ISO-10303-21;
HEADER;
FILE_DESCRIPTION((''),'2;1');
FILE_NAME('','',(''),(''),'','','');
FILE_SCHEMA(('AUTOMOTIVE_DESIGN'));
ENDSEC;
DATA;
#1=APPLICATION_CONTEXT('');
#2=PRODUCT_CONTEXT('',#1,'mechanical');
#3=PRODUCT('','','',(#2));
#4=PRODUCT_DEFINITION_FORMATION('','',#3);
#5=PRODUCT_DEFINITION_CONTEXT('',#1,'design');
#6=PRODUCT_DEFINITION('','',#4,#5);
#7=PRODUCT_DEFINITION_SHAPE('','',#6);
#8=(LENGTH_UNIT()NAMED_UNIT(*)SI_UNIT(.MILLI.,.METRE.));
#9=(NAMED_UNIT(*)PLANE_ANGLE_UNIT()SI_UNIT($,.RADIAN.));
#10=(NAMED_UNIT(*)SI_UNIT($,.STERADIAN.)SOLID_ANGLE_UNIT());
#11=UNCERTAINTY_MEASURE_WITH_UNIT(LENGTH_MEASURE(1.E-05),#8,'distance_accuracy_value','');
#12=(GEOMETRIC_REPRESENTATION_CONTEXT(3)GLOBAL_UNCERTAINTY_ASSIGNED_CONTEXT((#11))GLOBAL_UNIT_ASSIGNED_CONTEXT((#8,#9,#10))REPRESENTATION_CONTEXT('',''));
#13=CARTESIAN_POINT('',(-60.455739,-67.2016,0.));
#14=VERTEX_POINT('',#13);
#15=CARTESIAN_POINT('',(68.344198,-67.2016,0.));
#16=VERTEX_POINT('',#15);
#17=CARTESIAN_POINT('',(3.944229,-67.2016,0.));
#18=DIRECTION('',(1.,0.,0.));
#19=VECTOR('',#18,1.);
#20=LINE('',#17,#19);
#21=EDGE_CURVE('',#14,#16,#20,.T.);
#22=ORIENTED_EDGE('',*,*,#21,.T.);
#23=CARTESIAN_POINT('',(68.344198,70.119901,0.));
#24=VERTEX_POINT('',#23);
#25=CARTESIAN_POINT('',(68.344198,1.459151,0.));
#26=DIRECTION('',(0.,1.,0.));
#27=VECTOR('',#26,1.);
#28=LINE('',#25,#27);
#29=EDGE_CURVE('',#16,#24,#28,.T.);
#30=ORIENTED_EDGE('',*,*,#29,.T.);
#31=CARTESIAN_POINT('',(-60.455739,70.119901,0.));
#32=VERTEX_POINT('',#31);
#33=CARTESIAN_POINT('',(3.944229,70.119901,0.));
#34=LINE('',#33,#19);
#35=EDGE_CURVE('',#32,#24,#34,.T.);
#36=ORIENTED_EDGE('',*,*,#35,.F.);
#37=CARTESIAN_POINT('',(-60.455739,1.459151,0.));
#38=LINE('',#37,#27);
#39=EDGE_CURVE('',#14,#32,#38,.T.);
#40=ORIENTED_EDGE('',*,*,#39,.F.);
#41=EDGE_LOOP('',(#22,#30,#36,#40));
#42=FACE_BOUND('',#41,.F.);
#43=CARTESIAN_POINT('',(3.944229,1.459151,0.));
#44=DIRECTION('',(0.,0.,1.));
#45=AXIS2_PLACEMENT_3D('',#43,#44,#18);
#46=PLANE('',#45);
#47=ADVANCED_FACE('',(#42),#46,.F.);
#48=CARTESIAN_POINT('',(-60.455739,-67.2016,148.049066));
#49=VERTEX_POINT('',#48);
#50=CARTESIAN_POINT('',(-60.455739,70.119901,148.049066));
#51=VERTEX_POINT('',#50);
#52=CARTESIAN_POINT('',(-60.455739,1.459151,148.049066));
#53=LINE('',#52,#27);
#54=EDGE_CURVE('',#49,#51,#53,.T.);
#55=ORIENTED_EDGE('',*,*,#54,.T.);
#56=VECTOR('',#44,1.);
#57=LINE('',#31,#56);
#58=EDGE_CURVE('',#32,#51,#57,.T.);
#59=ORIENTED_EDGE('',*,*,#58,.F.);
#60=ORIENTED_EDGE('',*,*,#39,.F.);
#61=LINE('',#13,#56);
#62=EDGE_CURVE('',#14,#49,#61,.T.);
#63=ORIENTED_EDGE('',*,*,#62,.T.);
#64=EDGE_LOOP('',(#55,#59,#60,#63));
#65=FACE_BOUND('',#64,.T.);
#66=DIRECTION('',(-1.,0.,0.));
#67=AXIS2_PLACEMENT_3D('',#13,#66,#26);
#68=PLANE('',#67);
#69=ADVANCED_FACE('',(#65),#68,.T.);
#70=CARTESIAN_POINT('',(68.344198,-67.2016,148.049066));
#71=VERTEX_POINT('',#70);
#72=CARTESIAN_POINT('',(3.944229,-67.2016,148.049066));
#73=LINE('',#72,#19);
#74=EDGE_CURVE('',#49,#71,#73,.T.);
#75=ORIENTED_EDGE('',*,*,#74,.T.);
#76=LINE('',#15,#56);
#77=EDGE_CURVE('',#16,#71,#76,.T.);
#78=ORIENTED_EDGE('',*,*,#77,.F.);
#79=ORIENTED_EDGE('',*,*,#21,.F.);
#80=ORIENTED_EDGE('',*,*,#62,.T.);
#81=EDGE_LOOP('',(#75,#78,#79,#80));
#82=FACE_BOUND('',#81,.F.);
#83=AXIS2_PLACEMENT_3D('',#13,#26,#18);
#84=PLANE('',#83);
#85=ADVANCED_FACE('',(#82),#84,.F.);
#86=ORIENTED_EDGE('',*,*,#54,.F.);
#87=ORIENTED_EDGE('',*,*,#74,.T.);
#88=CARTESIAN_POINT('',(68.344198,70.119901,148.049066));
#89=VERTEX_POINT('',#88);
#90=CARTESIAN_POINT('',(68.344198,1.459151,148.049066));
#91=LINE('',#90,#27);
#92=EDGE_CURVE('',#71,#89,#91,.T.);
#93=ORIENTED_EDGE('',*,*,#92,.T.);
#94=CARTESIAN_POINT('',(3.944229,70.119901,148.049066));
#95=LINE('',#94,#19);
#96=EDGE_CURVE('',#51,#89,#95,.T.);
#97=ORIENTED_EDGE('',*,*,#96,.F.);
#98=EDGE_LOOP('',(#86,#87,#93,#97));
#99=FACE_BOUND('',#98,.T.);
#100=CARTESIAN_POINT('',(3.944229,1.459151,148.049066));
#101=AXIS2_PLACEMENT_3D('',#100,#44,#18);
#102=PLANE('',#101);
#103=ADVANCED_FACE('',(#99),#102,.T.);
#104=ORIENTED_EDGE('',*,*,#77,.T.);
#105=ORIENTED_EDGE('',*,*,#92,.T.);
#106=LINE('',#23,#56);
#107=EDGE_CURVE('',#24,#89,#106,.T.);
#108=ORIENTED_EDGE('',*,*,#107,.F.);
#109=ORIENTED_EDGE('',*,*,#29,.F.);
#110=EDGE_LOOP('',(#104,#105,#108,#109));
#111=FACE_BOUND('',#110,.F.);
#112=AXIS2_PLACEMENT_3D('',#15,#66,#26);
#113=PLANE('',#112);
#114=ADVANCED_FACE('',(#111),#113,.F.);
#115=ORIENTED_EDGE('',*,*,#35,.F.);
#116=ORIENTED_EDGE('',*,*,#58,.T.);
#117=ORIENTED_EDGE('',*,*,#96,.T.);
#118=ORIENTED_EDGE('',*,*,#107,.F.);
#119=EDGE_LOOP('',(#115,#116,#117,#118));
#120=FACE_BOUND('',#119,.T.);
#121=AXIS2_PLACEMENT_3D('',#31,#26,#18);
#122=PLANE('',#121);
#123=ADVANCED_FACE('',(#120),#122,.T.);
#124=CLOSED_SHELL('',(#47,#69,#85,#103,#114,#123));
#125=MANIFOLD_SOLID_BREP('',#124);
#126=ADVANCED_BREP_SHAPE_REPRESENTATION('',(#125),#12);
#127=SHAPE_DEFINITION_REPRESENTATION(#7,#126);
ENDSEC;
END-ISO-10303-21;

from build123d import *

# Parameters (mm, degrees)
F1_W     = 128.799937
F1_H     = 137.321501
F2_DEPTH = 148.049066


with BuildPart() as f2:
    # F1 (on face) → F2 (new body)
    with BuildSketch(Plane.XY):
        with Locations((3.944229, 1.459151)):
            Rectangle(F1_W, F1_H)
    extrude(amount=F2_DEPTH)


solid = f2.part
